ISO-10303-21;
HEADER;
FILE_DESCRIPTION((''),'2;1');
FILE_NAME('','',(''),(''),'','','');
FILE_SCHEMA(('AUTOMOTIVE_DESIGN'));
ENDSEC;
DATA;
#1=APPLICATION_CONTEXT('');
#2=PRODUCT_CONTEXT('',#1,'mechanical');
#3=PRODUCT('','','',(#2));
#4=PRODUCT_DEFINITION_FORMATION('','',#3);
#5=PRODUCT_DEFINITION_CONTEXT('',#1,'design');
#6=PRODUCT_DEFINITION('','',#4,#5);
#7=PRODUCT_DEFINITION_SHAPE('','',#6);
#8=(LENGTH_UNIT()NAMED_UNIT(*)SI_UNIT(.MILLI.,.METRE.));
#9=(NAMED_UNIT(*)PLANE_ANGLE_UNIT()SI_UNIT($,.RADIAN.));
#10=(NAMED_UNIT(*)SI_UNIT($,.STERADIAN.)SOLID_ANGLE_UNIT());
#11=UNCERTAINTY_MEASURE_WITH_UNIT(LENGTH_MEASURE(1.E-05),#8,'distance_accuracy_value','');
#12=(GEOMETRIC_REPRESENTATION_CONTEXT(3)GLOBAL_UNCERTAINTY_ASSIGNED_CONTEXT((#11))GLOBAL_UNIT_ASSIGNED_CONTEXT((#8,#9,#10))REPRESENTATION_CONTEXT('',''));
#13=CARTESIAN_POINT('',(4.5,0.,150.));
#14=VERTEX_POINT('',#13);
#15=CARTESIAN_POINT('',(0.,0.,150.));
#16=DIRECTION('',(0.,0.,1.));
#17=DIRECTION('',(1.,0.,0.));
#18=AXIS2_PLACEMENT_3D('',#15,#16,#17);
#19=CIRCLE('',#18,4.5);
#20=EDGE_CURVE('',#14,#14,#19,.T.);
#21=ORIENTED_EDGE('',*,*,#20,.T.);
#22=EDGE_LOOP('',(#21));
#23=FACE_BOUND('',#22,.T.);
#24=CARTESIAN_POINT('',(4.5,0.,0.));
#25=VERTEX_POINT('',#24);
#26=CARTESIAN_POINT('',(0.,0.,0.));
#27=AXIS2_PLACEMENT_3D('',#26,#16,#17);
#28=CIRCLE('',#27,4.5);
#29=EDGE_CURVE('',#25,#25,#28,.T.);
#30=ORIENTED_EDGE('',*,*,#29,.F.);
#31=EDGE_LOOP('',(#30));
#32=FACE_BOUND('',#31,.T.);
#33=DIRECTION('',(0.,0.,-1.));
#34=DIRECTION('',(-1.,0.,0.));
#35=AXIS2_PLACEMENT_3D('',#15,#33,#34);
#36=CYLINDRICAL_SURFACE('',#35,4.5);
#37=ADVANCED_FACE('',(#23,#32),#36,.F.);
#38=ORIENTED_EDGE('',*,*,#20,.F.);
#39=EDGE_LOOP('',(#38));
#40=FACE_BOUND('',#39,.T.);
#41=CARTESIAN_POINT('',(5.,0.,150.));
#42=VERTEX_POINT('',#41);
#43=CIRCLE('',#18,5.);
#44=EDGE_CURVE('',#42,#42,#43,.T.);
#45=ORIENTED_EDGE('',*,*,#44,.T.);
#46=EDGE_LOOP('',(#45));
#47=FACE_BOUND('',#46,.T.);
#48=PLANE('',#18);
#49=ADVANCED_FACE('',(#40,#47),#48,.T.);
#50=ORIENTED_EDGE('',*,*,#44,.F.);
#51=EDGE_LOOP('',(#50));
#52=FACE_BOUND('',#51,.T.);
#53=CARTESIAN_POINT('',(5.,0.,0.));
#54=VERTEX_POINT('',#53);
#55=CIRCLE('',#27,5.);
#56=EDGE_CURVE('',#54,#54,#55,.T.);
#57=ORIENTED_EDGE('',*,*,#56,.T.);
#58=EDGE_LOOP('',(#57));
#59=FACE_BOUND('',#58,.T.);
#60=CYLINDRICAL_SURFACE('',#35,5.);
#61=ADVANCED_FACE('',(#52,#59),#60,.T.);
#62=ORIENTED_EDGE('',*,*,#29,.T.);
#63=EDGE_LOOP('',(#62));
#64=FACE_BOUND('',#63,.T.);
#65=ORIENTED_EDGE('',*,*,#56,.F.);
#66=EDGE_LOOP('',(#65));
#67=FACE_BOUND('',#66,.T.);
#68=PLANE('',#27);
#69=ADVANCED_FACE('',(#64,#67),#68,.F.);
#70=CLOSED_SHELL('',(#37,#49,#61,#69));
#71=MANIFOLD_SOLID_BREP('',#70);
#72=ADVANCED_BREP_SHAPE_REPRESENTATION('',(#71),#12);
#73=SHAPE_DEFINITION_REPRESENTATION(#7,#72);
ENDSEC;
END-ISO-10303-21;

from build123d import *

# Parameters (mm, degrees)
ESQUISSE1_R        = 5
ESQUISSE1_R_2      = 4.5
BOSS_EXTRU_1_DEPTH = 150


with BuildPart() as part:
    # Esquisse1 → Boss.-Extru.1 (new body)
    with BuildSketch(Plane.XY):
        Circle(ESQUISSE1_R)
        Circle(ESQUISSE1_R_2, mode=Mode.SUBTRACT)
    extrude(amount=BOSS_EXTRU_1_DEPTH)


solid = part.part
